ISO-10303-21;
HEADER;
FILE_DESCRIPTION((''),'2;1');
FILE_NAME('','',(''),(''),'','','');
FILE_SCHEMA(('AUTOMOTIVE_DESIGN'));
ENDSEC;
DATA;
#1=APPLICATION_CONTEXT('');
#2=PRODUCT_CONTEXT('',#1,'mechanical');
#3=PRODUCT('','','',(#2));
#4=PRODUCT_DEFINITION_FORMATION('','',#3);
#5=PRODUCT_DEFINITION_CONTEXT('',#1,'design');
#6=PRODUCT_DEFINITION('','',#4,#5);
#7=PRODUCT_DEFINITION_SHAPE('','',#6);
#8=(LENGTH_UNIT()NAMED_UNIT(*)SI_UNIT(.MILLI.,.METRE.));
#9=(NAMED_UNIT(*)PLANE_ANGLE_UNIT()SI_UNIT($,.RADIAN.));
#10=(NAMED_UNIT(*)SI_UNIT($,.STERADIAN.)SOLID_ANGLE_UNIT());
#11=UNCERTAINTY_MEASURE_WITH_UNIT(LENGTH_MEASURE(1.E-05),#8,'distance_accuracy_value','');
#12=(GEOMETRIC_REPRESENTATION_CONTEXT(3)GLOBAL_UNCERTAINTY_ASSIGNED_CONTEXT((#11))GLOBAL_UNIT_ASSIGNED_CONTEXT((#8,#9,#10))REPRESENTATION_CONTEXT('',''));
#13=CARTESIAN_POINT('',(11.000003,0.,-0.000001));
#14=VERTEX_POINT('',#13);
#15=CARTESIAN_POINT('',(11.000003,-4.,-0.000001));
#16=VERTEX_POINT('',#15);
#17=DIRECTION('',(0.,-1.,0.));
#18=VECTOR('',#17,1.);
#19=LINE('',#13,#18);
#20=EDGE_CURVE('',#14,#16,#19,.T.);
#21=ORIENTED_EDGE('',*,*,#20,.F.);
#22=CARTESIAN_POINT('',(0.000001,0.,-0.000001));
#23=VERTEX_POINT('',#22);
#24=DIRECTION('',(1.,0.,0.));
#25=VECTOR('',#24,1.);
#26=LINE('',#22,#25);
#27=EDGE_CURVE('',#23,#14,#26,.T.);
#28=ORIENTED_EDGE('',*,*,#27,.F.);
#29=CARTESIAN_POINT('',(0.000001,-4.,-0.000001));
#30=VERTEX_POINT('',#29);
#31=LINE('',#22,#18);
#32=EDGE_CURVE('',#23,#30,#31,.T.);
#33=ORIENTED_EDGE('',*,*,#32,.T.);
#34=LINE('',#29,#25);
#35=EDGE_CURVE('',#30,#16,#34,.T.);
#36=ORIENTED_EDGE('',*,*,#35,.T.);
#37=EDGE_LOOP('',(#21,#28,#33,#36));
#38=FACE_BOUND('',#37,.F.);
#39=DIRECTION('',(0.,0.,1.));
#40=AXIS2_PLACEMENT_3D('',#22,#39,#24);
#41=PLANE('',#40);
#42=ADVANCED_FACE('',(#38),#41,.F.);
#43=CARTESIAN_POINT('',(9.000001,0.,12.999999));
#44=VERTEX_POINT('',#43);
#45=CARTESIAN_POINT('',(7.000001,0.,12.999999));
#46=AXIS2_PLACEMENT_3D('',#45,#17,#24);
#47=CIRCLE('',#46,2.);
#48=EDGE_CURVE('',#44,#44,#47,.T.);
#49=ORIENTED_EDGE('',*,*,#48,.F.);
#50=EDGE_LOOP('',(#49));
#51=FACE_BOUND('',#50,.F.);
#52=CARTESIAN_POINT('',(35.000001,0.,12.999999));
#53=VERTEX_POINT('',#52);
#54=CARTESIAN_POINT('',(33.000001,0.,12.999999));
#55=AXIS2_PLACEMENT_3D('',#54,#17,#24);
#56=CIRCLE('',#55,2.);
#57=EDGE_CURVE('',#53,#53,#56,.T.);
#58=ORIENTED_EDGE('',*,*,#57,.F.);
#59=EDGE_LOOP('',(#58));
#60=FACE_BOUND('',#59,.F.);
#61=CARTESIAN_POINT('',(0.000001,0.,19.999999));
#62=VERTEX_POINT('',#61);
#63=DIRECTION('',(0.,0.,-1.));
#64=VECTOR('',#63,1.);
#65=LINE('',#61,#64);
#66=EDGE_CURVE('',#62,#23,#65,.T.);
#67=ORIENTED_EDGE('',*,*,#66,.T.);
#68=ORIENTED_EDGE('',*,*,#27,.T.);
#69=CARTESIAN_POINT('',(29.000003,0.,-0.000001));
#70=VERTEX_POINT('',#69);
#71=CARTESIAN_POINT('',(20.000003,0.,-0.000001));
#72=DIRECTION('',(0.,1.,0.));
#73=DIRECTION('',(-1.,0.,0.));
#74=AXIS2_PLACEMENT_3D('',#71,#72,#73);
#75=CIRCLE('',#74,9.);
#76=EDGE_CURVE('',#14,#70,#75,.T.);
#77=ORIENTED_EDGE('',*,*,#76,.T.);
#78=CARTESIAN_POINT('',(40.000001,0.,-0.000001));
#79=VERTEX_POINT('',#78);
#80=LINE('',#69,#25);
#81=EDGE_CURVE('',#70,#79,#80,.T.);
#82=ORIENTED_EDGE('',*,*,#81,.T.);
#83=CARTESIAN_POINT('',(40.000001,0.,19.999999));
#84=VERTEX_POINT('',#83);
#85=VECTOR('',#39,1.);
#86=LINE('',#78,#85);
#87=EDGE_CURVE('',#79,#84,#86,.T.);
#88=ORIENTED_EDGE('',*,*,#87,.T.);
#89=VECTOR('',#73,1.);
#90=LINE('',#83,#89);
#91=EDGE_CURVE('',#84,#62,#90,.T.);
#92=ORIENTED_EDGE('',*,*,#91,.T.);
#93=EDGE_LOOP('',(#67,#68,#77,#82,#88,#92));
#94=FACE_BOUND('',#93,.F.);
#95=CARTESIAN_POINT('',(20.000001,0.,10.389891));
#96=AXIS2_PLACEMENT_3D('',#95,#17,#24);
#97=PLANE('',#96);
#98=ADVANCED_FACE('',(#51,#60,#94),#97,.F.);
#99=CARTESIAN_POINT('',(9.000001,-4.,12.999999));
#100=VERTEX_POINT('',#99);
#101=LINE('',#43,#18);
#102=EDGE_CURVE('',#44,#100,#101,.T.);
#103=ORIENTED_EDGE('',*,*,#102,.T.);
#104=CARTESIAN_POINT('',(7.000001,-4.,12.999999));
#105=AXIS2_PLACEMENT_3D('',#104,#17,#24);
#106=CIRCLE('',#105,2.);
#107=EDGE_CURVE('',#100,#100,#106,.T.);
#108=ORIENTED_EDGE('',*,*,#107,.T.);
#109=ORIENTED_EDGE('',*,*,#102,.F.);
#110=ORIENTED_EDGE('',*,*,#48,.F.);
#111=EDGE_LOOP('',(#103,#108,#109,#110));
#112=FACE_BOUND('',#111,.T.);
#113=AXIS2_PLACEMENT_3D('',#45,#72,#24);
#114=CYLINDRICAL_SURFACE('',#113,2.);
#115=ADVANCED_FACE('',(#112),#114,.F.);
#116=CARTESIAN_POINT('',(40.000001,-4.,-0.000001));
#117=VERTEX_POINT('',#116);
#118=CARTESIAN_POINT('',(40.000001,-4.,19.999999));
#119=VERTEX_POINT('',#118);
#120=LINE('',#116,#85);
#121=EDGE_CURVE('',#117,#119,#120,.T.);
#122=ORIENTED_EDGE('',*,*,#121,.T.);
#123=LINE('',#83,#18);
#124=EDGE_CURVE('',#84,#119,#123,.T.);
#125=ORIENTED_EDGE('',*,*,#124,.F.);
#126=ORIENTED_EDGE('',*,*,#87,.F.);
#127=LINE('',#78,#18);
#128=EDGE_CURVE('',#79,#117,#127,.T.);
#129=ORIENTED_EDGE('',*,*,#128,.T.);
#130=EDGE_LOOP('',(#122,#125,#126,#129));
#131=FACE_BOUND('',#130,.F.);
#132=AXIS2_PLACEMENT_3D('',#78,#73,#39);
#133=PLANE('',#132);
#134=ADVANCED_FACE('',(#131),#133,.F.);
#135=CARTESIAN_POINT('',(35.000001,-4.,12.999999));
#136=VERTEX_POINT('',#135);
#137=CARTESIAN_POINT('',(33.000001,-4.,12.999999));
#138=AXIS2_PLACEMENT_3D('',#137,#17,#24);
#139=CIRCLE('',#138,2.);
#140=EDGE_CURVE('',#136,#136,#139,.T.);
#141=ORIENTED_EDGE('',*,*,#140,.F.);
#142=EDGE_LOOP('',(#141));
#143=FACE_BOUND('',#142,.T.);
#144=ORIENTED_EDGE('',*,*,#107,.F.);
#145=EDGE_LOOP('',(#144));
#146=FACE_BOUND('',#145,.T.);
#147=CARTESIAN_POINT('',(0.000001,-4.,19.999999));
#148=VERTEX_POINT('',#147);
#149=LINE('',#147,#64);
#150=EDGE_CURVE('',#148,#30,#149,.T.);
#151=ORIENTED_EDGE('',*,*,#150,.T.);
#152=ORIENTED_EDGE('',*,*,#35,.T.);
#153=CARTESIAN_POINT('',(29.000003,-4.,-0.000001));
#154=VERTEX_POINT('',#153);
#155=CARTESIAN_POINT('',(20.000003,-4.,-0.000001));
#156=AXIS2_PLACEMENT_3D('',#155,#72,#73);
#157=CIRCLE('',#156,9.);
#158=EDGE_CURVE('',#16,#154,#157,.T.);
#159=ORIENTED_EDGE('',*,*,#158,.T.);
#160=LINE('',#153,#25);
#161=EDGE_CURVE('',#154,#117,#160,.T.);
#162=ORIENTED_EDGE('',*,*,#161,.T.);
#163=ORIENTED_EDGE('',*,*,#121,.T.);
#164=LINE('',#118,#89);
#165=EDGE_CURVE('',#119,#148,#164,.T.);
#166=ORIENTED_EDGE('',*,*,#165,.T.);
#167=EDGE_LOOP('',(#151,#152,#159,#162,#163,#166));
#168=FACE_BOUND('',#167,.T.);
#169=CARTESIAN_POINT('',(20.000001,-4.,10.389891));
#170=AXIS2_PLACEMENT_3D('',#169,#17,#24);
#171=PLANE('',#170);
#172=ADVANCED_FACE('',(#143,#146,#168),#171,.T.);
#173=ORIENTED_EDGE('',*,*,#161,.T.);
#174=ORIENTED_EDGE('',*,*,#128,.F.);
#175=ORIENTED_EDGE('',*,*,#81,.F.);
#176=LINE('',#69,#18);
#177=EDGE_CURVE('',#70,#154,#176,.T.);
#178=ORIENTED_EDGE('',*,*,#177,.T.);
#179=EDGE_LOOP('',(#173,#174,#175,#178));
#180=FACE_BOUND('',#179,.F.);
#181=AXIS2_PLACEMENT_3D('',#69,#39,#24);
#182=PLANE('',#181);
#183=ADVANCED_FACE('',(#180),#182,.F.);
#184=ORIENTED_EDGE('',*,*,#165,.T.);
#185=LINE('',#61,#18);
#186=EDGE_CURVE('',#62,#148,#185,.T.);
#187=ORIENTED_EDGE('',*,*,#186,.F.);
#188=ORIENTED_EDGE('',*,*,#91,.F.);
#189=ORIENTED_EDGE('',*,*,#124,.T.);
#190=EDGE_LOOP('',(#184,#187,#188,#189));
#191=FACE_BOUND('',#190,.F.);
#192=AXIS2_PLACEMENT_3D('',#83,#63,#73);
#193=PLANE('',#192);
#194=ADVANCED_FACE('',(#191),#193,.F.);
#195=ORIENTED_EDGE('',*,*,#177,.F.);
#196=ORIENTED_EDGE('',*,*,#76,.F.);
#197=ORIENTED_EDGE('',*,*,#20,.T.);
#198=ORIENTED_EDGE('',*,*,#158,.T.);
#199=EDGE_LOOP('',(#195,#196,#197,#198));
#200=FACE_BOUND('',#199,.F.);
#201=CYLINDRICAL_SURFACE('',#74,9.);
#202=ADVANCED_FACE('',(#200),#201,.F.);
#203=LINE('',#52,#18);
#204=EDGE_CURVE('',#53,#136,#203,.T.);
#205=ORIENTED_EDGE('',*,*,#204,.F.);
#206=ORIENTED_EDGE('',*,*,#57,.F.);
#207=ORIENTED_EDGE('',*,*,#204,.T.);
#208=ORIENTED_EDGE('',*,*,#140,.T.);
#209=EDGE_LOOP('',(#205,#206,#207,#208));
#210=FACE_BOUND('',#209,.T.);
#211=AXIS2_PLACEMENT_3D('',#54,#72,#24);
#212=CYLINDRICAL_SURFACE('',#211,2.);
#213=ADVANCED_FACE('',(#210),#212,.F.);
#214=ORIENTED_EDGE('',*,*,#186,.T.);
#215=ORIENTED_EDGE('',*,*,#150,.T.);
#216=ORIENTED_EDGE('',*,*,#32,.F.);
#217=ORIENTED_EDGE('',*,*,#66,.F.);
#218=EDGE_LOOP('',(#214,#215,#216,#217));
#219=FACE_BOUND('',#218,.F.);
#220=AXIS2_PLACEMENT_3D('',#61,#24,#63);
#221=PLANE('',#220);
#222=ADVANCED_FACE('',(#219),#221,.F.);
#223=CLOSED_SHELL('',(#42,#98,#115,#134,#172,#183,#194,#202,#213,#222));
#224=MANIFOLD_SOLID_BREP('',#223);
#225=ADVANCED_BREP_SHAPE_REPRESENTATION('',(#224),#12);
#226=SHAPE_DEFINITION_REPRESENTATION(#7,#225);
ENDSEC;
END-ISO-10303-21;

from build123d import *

# Parameters (mm, degrees)
F0_R     = 2
F1_DEPTH = 4


with BuildPart() as f1:
    # F0 (on Front) → F1 (new body)
    with BuildSketch(Plane.XZ):
        with BuildLine():
            Line((40.000001, 19.999999), (1e-06, 19.999999))
            Line((1e-06, 19.999999), (1e-06, -1e-06))
            Line((1e-06, -1e-06), (11.000003, -1e-06))
            ThreePointArc((11.000003, -1e-06), (20.000003, 8.999999), (29.000003, -1e-06))
            Line((29.000003, -1e-06), (40.000001, -1e-06))
            Line((40.000001, -1e-06), (40.000001, 19.999999))
        make_face()
        with Locations((7.000001, 12.999999)):
            Circle(F0_R, mode=Mode.SUBTRACT)
        with Locations((33.000001, 12.999999)):
            Circle(F0_R, mode=Mode.SUBTRACT)
    extrude(amount=F1_DEPTH)


solid = f1.part
